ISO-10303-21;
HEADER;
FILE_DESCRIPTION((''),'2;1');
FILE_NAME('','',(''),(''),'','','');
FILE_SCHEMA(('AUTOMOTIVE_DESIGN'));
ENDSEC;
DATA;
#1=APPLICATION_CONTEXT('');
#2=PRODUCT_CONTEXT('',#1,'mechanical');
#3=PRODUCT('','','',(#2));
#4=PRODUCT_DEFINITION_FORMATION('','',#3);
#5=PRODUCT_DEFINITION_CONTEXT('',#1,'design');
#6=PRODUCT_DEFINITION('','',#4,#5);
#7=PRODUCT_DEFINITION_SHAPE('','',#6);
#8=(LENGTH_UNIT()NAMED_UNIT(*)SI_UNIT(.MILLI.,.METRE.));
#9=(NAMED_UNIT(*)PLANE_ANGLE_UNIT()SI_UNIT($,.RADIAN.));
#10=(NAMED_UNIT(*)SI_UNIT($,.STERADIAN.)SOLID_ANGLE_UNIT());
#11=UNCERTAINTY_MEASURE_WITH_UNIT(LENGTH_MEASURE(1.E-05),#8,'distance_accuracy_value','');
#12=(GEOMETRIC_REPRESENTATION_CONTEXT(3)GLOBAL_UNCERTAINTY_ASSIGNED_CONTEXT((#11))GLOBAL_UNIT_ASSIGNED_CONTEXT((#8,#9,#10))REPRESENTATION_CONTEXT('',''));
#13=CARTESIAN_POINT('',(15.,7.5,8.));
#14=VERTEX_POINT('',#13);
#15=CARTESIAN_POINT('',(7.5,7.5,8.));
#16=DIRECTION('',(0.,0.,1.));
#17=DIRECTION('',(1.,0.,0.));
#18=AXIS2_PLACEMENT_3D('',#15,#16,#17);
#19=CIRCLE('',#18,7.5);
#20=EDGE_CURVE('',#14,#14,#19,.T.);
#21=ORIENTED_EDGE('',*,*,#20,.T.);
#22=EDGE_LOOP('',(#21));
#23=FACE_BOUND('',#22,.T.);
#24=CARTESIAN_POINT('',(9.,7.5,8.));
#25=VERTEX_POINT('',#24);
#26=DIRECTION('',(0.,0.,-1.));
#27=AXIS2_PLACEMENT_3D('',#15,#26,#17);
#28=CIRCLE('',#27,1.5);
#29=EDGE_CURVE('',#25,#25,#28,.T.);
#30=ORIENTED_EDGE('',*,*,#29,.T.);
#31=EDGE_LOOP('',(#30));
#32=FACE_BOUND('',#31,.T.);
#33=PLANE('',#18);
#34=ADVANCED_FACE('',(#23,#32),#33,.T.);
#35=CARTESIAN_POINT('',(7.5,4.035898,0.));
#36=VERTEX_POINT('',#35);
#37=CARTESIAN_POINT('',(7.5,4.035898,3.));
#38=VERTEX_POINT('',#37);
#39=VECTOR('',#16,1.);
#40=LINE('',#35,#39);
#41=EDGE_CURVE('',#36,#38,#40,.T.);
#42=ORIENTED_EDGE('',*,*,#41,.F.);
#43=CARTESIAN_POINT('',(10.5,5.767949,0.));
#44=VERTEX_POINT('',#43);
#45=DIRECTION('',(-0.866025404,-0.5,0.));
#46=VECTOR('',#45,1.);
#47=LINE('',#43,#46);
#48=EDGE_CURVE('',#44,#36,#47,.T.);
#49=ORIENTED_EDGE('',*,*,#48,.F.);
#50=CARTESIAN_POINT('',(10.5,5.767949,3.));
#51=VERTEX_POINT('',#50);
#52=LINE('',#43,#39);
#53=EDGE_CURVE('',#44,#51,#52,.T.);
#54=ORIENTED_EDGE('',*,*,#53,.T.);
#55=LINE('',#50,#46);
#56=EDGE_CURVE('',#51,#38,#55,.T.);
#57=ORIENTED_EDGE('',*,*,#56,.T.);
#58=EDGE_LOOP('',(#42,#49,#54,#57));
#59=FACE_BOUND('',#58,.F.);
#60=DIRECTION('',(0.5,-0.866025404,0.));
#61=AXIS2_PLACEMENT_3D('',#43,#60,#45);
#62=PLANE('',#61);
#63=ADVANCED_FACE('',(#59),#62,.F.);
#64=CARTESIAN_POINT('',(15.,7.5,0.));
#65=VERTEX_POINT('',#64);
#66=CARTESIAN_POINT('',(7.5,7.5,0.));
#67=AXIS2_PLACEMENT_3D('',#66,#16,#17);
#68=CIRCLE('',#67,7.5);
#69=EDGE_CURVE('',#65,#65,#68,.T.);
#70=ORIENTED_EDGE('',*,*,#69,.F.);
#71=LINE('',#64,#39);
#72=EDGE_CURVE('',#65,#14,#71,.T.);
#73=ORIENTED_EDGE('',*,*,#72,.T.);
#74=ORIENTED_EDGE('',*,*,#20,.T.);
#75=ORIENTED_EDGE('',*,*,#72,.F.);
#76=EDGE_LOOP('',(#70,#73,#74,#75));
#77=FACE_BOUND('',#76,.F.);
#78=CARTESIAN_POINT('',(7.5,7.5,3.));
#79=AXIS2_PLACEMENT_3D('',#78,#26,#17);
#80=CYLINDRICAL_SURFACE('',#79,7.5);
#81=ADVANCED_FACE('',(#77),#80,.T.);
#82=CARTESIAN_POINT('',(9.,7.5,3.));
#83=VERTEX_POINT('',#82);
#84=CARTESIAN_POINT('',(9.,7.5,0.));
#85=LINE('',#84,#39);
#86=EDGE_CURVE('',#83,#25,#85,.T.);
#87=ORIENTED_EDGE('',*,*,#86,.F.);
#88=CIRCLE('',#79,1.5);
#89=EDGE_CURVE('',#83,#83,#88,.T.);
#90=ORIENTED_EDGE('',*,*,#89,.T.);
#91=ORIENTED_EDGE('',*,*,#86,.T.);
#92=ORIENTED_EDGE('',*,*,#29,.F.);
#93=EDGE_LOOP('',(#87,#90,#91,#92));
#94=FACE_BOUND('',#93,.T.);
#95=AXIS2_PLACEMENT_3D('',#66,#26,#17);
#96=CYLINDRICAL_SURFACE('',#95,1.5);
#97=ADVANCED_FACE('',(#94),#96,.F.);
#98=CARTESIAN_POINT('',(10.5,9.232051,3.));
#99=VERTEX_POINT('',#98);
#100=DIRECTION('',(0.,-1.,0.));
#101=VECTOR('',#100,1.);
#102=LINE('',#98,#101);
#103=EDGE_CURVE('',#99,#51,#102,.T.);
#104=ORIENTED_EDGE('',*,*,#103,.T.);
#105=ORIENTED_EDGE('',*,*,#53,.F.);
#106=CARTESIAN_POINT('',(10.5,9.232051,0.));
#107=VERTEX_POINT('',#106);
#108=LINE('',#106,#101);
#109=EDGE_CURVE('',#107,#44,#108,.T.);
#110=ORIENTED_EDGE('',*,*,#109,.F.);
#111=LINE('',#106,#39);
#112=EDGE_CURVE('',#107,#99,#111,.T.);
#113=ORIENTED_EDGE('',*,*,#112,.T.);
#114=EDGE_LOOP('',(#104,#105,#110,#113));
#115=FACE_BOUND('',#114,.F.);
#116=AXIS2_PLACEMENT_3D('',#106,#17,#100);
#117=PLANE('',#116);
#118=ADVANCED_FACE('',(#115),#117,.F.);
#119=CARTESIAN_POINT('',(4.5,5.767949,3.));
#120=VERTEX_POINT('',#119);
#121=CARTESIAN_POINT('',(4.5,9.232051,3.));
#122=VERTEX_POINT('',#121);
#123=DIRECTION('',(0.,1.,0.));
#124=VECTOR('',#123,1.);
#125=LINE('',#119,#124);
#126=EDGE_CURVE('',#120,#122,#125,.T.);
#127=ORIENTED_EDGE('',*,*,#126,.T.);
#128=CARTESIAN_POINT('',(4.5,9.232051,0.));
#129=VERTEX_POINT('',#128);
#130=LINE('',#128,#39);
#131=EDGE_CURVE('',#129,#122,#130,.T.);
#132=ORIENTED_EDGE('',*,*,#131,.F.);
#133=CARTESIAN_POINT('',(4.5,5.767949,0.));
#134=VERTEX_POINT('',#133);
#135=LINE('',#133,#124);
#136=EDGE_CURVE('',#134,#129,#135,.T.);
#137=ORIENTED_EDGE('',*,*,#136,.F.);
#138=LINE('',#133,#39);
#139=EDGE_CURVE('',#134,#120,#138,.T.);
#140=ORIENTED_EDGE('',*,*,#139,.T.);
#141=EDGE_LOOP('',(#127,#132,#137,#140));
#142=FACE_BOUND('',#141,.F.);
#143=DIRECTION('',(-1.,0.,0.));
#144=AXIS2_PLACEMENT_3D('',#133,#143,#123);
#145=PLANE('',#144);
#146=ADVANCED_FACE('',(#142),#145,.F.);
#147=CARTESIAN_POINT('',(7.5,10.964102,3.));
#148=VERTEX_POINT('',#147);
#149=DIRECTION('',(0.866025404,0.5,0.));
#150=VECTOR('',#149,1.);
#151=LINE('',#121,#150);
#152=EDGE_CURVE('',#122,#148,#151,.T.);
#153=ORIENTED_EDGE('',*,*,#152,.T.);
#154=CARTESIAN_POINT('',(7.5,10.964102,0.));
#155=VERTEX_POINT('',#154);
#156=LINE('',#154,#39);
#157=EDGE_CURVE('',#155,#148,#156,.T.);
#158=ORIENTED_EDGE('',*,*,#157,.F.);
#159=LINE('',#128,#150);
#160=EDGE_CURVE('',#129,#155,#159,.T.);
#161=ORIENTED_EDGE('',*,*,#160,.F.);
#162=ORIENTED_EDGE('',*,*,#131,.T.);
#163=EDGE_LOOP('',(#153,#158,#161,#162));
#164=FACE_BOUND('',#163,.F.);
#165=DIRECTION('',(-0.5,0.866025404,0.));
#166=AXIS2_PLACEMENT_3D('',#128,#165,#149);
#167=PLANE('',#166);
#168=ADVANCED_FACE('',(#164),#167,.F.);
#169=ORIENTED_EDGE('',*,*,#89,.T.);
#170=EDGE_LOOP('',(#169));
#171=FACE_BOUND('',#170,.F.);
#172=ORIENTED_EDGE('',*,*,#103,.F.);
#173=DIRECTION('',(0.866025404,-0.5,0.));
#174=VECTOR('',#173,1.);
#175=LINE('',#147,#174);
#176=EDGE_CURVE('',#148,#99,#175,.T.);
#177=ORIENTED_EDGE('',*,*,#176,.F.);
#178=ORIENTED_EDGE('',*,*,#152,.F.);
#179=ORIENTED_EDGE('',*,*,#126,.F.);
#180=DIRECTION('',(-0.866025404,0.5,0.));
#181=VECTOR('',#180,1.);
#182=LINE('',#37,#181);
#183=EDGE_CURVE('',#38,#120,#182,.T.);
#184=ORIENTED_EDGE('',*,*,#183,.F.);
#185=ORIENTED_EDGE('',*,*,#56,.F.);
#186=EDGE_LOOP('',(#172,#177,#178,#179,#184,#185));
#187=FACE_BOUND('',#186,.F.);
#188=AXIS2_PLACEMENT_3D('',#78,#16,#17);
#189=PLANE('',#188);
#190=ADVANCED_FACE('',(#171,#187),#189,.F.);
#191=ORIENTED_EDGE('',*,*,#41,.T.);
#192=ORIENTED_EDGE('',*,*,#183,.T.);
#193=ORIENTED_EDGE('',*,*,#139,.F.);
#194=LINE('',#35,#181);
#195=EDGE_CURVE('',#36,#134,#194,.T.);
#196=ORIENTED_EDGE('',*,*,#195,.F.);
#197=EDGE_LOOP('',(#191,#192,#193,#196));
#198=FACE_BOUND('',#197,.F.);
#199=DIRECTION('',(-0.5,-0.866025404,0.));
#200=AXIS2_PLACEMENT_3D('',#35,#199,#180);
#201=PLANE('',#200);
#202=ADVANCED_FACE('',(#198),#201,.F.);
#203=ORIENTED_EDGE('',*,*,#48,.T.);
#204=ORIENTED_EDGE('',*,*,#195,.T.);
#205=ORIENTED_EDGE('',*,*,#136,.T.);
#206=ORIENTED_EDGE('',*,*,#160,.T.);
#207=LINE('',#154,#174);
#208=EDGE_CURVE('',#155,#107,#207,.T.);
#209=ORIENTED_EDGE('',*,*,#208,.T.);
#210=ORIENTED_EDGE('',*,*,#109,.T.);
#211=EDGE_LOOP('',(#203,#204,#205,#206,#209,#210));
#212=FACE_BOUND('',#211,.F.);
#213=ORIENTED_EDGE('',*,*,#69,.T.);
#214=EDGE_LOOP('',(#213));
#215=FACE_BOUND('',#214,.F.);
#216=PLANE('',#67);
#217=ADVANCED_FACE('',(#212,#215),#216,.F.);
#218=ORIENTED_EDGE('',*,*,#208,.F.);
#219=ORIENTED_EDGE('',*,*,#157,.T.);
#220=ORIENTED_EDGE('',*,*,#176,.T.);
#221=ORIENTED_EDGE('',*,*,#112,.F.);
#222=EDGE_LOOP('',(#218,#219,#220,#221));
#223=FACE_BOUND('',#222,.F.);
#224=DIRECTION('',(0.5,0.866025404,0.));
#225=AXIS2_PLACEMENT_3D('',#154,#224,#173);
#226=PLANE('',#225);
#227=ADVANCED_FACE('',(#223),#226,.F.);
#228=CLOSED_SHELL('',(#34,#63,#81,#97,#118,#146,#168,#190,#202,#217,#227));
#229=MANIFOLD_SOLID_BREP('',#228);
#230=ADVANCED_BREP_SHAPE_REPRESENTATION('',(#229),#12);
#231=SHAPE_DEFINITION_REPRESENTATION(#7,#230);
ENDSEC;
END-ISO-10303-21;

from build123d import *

# Parameters (mm, degrees)
F0_R     = 7.5
F1_DEPTH = 3
F2_R     = 7.5
F3_DEPTH = 5
F0_R_2   = 1.5
F4_DEPTH = 25


with BuildPart() as f1:
    # F0 (on Top) → F1 (new body)
    with BuildSketch(Plane.XY):
        with Locations((7.5, 7.5)):
            Circle(F0_R)
        Polygon((7.5, 10.9641016151), (10.5, 9.2320508076), (10.5, 5.7679491924), (7.5, 4.0358983849), (4.5, 5.7679491924), (4.5, 9.2320508076), align=None, mode=Mode.SUBTRACT)
    extrude(amount=F1_DEPTH)

    # F2 (on face) → F3 (join)
    with BuildSketch(Plane.XY.offset(3)):
        with Locations((7.5, 7.5)):
            Circle(F2_R)
        Polygon((4.5, 5.7679491924), (4.5, 9.2320508076), (7.5, 10.9641016151), (10.5, 9.2320508076), (10.5, 5.7679491924), (7.5, 4.0358983849), align=None, mode=Mode.SUBTRACT)
        Polygon((7.5, 10.9641016151), (4.5, 9.2320508076), (4.5, 5.7679491924), (7.5, 4.0358983849), (10.5, 5.7679491924), (10.5, 9.2320508076), align=None)
    extrude(amount=F3_DEPTH)

    # F0 (on Top) → F4 (cut)
    with BuildSketch(Plane.XY):
        with Locations((7.5, 7.5)):
            Circle(F0_R_2)
    extrude(amount=F4_DEPTH, mode=Mode.SUBTRACT)


solid = f1.part
